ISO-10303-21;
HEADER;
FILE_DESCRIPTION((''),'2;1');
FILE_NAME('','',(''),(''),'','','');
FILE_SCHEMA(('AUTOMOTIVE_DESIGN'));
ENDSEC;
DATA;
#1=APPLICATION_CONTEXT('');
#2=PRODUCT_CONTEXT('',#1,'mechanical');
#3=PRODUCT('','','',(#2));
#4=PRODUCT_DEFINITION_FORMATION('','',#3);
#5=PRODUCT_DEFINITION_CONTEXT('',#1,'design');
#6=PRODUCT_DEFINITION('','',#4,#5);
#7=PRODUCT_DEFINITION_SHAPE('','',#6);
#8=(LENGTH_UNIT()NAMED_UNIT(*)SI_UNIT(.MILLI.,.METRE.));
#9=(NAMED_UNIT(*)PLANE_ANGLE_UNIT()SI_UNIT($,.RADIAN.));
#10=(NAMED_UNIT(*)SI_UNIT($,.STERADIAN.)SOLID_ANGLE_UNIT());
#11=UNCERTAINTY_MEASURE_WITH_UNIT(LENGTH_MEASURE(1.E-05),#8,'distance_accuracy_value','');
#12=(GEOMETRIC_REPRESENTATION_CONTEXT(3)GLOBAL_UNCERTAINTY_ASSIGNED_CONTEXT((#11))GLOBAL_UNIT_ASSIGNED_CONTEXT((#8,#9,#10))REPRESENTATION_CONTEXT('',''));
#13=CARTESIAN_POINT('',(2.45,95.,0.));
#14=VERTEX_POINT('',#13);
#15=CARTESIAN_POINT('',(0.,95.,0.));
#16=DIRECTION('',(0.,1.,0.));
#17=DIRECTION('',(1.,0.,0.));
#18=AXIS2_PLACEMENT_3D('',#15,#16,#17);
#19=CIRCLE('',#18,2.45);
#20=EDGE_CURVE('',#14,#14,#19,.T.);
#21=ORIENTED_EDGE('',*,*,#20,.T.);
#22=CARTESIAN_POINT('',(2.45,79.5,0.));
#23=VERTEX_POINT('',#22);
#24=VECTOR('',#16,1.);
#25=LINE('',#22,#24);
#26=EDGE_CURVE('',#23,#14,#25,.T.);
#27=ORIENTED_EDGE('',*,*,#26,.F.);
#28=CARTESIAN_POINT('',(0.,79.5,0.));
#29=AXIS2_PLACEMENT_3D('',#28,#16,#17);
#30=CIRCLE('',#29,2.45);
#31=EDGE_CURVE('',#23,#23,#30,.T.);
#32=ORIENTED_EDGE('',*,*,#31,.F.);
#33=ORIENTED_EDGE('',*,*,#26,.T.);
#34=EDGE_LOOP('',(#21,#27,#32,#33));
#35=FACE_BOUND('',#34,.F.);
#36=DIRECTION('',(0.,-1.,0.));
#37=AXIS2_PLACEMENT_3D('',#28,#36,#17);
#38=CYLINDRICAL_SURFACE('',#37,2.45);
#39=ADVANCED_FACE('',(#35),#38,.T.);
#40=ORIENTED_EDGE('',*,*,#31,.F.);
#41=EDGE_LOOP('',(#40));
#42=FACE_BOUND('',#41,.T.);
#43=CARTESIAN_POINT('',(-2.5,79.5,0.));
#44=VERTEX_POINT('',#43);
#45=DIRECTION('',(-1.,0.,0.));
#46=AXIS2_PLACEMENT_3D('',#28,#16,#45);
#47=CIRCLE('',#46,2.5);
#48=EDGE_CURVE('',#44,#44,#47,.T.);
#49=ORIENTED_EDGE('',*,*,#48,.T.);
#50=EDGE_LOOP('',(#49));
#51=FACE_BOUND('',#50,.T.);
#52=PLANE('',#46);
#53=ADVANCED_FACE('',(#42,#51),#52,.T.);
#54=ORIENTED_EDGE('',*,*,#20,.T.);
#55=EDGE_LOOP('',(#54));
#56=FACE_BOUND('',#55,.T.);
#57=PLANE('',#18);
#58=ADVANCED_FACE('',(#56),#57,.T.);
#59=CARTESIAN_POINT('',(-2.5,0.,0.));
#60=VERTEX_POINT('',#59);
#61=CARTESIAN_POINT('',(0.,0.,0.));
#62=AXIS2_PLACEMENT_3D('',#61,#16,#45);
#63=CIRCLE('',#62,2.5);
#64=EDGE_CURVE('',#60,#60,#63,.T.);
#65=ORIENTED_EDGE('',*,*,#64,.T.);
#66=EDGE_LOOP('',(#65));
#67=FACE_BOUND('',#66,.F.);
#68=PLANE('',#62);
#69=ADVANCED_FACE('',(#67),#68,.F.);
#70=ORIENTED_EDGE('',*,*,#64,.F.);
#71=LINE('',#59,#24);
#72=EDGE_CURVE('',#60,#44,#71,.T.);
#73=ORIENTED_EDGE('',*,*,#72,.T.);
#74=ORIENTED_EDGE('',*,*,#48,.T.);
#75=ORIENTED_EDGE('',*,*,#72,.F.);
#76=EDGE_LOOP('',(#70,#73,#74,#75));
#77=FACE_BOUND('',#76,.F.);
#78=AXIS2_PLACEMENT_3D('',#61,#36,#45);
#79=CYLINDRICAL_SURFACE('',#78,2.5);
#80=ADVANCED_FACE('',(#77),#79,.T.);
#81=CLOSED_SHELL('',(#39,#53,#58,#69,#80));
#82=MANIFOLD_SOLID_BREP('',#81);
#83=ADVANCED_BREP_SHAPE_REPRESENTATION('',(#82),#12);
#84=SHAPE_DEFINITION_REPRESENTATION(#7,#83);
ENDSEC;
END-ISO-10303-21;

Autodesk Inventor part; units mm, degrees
ref_plane "YZ Plane" through (0, 0, 0) normal (1, 0, 0) x (0, 1, 0)
ref_plane "XZ Plane" through (0, 0, 0) normal (0, 1, 0) x (-1, 0, 0)
ref_plane "XY Plane" through (0, 0, 0) normal (0, 0, 1) x (1, 0, 0)
sketch "スケッチ1" plane through (0, 0, 0) normal (0, 1, 0) x (-1, 0, 0)
  circle A0 centre (0, 0) radius 2.5
  dimension "d0" = 5
extrude "押し出し1" add sketch "スケッチ1" along normal blind 79.5
sketch "スケッチ2" plane through (0, 79.5, 0) normal (0, 1, 0) x (1, 0, 0)
  circle A0 centre (0, 0) radius 2.45
  dimension "d3" = 4.9
extrude "押し出し2" add sketch "スケッチ2" along normal blind 15.5
thread "ねじ1" size "M5x0.8" class "6g" standard "ANSI Metric M Profile" full length
properties part number "KOGANEI_unkown_35_rod" material "ステンレス鋼 440C"
